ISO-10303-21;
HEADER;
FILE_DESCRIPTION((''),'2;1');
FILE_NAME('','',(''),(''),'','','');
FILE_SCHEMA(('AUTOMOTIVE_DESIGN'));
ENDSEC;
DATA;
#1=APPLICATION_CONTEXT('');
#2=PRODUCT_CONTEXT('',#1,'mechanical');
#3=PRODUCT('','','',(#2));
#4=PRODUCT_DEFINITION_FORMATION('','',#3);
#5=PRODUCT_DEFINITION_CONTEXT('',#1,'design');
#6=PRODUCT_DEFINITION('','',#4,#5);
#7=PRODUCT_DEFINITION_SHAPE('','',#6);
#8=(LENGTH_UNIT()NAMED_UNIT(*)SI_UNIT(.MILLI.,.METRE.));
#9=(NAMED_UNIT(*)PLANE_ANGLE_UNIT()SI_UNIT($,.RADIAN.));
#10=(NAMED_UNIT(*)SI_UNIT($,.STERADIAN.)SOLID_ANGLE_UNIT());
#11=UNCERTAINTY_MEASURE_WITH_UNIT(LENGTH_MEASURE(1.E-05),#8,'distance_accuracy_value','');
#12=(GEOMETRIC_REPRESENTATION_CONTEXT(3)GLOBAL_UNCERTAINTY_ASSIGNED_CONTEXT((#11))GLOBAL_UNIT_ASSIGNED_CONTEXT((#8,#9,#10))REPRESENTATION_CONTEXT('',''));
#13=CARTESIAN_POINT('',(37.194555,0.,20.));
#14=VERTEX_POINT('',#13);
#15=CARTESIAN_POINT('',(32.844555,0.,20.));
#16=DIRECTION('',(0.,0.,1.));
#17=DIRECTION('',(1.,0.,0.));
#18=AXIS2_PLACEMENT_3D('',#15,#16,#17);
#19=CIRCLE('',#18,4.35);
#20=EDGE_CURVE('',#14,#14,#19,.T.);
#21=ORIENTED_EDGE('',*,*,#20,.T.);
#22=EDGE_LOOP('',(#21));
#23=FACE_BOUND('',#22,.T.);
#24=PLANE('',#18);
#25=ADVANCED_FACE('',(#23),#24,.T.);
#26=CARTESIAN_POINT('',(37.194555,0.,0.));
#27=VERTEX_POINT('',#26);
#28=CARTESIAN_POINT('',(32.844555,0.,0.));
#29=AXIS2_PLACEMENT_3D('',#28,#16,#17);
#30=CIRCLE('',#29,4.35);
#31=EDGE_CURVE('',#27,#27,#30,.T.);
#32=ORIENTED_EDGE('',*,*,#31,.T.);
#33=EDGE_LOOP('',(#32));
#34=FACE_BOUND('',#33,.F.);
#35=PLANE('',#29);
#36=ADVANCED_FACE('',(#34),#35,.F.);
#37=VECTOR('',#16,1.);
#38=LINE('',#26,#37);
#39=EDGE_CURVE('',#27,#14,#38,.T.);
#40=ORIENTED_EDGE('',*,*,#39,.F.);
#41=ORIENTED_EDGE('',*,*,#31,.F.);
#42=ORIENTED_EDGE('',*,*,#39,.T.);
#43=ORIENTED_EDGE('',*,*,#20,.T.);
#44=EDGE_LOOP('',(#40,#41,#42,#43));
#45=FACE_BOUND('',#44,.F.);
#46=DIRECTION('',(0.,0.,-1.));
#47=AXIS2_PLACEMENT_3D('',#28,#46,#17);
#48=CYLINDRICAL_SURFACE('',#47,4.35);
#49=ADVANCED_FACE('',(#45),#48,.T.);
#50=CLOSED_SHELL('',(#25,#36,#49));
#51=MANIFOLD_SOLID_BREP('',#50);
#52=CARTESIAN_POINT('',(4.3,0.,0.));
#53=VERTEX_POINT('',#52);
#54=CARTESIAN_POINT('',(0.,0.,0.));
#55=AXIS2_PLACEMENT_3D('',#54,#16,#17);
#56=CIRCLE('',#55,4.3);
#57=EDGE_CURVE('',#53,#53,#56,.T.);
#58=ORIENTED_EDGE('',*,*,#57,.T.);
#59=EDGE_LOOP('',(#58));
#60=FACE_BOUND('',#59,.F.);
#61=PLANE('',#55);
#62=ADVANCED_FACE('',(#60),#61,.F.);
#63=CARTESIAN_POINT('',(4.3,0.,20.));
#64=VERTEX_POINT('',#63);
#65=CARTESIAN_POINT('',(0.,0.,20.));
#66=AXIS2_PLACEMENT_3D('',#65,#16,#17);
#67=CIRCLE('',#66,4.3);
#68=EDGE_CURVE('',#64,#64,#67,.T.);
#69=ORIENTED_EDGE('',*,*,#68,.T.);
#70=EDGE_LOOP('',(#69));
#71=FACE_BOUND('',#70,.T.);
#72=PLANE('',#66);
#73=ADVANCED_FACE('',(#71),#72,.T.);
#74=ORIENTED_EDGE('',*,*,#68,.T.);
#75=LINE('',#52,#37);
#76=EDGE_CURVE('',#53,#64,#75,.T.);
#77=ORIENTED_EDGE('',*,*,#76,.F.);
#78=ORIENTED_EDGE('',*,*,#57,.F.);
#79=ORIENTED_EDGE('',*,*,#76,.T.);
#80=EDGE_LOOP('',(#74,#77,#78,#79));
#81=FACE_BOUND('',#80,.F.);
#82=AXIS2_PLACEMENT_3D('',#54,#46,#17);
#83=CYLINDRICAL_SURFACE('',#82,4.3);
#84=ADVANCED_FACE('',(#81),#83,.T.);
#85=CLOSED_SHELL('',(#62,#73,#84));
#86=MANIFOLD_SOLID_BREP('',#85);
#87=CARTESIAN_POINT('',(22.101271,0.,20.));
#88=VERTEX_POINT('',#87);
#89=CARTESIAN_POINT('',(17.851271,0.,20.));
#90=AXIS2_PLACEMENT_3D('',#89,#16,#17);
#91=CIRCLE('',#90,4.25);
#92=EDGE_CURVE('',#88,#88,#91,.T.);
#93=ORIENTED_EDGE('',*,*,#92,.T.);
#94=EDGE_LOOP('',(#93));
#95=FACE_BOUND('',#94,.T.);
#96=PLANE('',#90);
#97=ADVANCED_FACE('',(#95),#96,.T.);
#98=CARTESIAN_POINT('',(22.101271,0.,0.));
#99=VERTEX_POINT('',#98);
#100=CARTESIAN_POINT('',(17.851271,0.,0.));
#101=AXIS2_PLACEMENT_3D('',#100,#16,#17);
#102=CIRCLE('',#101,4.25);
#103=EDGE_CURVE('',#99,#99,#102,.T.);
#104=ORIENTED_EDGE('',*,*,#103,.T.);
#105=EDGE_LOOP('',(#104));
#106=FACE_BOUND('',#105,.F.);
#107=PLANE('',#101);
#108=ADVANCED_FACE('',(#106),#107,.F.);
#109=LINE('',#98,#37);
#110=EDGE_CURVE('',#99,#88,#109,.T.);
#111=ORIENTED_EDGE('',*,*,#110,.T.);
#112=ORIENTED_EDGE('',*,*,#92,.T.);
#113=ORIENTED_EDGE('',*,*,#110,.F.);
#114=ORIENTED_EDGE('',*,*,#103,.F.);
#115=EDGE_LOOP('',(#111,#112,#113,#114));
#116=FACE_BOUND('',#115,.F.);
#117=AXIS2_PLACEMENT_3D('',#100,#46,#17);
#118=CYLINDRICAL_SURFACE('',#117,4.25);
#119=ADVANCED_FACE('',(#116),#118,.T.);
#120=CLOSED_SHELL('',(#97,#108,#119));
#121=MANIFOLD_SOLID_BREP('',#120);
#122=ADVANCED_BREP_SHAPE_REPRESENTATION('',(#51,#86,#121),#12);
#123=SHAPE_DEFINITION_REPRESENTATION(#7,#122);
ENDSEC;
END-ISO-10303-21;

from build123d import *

# Parameters (mm, degrees)
F0_R     = 4.3
F0_R_2   = 4.25
F0_R_3   = 4.35
F1_DEPTH = 20


with BuildPart() as f1:
    # F0 (on Top) → F1 (new body)
    with BuildSketch(Plane.XY):
        Circle(F0_R)
        with Locations((17.851271, 0)):
            Circle(F0_R_2)
        with Locations((32.844555, 0)):
            Circle(F0_R_3)
    extrude(amount=F1_DEPTH)


solid = f1.part
